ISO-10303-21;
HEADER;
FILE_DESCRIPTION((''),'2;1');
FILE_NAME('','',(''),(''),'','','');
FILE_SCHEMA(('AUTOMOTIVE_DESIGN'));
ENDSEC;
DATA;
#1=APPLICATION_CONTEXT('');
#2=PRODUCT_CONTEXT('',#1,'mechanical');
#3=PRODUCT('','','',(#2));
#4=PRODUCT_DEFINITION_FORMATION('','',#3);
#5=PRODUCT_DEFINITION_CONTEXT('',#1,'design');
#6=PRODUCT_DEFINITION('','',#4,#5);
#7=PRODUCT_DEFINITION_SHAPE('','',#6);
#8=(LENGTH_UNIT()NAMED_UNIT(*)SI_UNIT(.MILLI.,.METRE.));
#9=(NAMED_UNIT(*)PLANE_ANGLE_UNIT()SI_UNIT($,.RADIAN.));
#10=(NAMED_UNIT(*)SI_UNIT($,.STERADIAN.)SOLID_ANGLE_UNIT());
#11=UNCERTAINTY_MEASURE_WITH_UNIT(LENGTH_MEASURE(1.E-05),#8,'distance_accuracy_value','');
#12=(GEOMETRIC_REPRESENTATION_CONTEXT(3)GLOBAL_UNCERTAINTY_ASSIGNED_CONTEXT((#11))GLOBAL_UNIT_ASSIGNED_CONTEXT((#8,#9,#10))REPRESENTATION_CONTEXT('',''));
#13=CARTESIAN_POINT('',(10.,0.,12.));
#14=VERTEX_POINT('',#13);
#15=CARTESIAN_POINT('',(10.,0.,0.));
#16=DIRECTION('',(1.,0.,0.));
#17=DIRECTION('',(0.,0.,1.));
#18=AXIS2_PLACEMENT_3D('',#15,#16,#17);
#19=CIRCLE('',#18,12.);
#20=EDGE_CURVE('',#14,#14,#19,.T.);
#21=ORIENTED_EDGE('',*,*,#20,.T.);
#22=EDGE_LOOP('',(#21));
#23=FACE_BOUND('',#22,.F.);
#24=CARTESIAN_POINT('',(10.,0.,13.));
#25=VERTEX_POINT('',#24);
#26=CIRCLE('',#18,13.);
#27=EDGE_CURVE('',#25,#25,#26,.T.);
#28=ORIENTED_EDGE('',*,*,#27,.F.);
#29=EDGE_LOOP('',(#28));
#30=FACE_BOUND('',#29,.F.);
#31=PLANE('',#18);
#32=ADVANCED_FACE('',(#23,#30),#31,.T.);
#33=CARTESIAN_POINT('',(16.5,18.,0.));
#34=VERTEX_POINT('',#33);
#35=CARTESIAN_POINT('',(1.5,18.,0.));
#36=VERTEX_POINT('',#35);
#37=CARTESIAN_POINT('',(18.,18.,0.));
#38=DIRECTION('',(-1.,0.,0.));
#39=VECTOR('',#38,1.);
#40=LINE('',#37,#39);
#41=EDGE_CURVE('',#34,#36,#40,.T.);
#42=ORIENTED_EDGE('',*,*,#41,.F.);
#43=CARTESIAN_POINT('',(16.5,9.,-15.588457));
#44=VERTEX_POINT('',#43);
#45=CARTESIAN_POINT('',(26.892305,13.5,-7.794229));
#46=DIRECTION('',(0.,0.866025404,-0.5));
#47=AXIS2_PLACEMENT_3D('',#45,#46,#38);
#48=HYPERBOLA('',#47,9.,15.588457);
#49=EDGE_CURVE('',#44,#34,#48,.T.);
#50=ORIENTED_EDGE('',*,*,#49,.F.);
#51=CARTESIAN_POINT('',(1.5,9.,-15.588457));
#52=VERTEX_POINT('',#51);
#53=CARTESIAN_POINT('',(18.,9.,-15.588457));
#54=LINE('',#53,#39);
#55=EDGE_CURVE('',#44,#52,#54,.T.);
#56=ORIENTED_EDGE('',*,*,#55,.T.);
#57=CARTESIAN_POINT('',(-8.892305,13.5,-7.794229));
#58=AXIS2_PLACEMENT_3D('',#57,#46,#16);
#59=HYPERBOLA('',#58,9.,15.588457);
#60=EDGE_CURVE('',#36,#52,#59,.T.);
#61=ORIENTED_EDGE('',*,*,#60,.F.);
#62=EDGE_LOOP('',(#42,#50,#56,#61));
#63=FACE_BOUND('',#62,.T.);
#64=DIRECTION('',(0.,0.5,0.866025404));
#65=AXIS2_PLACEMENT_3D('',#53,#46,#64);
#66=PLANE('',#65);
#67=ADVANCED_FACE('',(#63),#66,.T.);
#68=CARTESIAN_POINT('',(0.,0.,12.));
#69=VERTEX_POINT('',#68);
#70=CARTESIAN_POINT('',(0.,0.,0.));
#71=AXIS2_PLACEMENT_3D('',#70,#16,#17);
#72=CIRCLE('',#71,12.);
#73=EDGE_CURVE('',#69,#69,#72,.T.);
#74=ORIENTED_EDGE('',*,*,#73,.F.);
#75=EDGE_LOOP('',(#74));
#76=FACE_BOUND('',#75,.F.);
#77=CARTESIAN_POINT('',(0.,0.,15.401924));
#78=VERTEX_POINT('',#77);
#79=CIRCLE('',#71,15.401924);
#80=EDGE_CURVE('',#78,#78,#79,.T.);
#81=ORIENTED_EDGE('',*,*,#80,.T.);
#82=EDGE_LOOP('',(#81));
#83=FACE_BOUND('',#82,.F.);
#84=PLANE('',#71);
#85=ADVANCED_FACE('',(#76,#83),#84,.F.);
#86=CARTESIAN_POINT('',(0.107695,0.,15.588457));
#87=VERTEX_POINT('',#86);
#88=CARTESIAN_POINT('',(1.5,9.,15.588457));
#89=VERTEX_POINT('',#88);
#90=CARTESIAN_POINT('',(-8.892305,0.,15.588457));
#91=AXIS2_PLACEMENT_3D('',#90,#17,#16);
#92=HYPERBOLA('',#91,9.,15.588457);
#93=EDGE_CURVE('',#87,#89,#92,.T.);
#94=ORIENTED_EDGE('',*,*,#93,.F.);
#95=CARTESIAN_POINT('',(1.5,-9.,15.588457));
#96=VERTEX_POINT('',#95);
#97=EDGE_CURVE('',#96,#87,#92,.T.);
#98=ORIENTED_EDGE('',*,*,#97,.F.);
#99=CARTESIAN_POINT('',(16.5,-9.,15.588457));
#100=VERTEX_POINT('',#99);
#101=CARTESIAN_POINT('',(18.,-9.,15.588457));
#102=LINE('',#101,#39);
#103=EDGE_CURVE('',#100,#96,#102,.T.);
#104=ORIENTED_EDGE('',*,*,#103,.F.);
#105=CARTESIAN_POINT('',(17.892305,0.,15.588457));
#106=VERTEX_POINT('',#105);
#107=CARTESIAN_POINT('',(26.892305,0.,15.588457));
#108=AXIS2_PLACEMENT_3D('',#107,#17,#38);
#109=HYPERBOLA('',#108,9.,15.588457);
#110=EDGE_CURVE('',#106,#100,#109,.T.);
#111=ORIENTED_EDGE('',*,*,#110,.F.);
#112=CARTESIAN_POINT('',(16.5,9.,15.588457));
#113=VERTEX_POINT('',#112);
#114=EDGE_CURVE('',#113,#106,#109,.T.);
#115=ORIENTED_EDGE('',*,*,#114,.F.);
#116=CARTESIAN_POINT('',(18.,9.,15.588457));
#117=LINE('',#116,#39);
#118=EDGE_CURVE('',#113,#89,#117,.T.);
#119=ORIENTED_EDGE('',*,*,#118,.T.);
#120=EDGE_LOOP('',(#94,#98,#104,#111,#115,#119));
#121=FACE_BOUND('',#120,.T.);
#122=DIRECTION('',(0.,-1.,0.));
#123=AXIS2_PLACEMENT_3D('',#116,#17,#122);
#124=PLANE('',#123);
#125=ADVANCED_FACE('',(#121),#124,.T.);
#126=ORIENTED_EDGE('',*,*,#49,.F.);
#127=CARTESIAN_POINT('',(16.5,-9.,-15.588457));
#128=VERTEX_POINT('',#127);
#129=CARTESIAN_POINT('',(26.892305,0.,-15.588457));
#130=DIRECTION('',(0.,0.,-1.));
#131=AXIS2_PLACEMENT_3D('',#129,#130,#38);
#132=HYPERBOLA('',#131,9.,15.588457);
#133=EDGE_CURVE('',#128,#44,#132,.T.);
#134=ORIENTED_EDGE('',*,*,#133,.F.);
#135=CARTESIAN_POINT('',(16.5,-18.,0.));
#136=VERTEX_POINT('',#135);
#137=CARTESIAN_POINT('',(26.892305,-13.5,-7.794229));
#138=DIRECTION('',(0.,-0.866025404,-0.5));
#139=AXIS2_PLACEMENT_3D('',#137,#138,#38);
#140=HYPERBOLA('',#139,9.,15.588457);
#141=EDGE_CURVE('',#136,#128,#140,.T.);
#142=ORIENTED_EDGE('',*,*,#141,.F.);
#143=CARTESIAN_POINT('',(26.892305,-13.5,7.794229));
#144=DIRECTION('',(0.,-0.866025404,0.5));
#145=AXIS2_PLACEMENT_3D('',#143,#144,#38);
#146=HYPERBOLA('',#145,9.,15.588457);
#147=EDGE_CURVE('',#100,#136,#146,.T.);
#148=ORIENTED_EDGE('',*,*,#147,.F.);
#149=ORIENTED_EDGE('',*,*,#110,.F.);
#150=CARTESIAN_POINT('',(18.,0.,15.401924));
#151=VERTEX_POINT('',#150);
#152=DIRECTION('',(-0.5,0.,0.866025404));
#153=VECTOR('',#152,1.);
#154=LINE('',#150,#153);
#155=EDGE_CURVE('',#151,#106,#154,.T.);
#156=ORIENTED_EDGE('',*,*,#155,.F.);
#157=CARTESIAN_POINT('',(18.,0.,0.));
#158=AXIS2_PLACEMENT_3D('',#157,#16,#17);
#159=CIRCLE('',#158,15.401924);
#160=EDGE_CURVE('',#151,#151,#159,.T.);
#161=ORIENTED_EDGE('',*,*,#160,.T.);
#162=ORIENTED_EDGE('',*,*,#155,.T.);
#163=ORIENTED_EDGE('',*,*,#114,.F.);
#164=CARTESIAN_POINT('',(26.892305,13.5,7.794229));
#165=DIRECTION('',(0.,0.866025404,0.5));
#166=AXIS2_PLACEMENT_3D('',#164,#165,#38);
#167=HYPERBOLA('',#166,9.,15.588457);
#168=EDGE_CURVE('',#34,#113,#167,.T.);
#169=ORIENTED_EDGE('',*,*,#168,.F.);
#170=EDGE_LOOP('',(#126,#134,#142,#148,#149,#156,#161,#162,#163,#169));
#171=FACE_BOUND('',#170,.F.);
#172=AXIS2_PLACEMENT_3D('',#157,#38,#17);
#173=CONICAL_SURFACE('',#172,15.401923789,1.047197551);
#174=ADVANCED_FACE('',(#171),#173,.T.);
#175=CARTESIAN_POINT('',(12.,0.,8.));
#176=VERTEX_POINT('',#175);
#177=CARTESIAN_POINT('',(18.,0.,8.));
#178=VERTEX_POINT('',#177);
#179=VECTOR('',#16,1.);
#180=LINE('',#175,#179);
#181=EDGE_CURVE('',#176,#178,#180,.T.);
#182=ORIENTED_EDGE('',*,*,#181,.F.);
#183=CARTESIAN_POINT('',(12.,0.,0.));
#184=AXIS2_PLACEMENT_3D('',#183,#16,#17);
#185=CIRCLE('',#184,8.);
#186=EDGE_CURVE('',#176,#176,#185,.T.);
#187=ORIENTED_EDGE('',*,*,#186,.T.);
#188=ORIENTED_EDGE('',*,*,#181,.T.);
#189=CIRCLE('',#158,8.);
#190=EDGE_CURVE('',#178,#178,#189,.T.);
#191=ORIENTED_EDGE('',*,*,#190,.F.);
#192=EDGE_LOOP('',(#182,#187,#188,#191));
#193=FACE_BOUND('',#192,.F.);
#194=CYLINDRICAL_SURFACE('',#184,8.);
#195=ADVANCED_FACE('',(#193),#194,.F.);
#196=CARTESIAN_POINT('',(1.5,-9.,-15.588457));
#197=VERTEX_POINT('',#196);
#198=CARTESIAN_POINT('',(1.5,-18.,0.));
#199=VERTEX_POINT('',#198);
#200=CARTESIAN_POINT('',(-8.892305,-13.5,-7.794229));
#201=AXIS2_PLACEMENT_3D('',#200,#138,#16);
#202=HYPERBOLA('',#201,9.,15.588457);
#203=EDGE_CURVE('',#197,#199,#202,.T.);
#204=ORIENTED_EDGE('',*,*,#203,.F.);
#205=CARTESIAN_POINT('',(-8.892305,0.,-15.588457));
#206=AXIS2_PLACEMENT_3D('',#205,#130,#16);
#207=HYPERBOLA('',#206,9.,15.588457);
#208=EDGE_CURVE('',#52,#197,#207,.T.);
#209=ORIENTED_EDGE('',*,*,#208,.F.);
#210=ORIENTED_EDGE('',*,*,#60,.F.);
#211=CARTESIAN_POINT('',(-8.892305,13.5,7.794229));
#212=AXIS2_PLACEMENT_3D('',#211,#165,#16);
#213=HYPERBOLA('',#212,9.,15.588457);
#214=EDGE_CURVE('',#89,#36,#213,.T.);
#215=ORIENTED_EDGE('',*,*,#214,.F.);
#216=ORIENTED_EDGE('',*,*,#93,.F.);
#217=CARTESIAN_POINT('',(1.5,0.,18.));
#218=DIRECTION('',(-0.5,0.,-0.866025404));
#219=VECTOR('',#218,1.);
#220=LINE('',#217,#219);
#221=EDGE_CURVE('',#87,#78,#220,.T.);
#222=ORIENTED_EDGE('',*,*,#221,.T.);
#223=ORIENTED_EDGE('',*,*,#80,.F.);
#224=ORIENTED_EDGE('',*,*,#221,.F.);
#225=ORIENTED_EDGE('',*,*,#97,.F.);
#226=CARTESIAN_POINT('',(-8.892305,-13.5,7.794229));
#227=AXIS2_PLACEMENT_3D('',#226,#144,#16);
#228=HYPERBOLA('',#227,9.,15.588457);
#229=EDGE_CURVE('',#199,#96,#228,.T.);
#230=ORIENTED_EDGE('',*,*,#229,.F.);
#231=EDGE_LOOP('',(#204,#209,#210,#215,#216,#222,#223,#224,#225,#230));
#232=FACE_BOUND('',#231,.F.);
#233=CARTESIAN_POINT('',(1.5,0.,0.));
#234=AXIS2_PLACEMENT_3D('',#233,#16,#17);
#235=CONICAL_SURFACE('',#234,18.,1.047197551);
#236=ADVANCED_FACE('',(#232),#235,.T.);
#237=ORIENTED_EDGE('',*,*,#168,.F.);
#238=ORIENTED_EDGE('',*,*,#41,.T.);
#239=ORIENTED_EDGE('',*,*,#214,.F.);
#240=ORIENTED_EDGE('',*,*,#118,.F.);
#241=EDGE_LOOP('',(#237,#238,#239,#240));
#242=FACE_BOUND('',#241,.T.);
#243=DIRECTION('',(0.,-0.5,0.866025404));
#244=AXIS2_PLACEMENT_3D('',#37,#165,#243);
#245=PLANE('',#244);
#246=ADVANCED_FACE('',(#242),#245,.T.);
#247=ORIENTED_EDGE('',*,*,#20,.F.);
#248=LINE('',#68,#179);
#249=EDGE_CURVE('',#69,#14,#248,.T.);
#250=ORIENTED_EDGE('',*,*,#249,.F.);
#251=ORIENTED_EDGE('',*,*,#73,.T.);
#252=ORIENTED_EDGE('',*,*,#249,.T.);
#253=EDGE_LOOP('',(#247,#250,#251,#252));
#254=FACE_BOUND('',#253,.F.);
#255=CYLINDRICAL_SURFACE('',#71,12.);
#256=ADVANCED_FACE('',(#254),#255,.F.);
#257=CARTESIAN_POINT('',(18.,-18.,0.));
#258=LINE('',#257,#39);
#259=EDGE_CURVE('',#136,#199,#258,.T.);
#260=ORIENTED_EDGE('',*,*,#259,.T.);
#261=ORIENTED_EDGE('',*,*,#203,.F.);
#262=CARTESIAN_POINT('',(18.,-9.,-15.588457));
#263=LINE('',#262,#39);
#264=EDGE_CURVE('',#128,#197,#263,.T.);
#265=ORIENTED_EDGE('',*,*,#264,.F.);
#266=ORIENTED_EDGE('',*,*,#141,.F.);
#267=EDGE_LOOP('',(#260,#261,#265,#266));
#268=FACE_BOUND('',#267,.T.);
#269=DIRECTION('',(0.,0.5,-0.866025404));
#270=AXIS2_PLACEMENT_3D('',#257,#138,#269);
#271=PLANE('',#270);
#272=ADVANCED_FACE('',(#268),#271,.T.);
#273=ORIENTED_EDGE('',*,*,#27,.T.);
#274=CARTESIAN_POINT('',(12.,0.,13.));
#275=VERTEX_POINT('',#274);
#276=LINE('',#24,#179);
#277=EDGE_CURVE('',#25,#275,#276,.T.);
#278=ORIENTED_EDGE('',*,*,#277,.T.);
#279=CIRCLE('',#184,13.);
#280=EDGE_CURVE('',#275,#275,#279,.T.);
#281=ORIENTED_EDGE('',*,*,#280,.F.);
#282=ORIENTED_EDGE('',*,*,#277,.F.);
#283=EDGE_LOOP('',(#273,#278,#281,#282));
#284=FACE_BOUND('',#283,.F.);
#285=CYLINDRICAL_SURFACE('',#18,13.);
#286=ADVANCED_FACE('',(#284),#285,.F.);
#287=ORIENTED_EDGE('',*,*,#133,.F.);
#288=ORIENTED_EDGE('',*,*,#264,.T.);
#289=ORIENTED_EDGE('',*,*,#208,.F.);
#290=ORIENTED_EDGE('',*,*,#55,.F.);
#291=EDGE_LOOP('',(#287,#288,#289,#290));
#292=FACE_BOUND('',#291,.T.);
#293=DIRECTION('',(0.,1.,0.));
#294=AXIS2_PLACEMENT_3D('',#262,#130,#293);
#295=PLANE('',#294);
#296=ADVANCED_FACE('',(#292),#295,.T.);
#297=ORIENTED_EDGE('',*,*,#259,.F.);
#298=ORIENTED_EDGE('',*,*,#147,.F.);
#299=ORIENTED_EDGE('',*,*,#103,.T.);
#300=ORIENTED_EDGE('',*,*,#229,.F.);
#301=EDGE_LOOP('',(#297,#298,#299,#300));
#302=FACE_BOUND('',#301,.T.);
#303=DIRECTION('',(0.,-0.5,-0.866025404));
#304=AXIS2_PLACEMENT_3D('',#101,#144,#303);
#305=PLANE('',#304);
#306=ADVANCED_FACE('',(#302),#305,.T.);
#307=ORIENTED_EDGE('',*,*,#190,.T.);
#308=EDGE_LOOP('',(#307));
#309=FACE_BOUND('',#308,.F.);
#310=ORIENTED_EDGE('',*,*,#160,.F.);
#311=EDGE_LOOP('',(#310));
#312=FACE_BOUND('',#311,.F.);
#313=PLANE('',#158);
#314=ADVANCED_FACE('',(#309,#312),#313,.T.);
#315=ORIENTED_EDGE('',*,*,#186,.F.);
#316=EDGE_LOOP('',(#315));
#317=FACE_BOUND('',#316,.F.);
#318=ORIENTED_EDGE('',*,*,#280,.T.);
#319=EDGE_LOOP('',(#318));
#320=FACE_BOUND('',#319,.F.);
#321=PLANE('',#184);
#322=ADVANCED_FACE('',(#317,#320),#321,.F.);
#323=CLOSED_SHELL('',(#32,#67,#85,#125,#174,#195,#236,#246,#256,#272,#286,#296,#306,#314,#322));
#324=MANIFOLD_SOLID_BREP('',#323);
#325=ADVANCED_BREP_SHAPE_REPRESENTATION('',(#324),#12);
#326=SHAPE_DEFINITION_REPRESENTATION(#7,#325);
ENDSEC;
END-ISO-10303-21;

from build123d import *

# Parameters (mm, degrees)
SKETCH_2_OUTSIDE_W  = 48.8
SKETCH_2_OUTSIDE_H  = 48.8
CUT_EXTRUDE_1_DEPTH = 30


with BuildPart() as part:
    # Эскиз1 → Повернуть1 (revolve)
    with BuildSketch(Plane.XY, mode=Mode.PRIVATE) as revolve_1_sk:
        Polygon((18, 12), (18, 15.401923789), (16.5, 18), (1.5, 18), (0, 15.401923789), (0, 12), (10, 12), (10, 13), (12, 13), (12, 8), (18, 8), align=None)
    revolve(revolve_1_sk.sketch.rotate(Axis((0, 0, 0), (1, 0, 0)), 90), axis=Axis((0, 0, 0), (1, 0, 0)))

    # Эскиз2 outside → Вырез-Вытянуть1 (cut)
    with BuildSketch(Plane(origin=(18, 0, 0), x_dir=(0, 0, -1), z_dir=(1, 0, 0))):
        Rectangle(SKETCH_2_OUTSIDE_W, SKETCH_2_OUTSIDE_H)
        Polygon((0, 18), (-15.588457268, 9), (-15.588457268, -9), (0, -18), (15.588457268, -9), (15.588457268, 9), align=None, mode=Mode.SUBTRACT)
    extrude(amount=-CUT_EXTRUDE_1_DEPTH, mode=Mode.SUBTRACT)


solid = part.part
